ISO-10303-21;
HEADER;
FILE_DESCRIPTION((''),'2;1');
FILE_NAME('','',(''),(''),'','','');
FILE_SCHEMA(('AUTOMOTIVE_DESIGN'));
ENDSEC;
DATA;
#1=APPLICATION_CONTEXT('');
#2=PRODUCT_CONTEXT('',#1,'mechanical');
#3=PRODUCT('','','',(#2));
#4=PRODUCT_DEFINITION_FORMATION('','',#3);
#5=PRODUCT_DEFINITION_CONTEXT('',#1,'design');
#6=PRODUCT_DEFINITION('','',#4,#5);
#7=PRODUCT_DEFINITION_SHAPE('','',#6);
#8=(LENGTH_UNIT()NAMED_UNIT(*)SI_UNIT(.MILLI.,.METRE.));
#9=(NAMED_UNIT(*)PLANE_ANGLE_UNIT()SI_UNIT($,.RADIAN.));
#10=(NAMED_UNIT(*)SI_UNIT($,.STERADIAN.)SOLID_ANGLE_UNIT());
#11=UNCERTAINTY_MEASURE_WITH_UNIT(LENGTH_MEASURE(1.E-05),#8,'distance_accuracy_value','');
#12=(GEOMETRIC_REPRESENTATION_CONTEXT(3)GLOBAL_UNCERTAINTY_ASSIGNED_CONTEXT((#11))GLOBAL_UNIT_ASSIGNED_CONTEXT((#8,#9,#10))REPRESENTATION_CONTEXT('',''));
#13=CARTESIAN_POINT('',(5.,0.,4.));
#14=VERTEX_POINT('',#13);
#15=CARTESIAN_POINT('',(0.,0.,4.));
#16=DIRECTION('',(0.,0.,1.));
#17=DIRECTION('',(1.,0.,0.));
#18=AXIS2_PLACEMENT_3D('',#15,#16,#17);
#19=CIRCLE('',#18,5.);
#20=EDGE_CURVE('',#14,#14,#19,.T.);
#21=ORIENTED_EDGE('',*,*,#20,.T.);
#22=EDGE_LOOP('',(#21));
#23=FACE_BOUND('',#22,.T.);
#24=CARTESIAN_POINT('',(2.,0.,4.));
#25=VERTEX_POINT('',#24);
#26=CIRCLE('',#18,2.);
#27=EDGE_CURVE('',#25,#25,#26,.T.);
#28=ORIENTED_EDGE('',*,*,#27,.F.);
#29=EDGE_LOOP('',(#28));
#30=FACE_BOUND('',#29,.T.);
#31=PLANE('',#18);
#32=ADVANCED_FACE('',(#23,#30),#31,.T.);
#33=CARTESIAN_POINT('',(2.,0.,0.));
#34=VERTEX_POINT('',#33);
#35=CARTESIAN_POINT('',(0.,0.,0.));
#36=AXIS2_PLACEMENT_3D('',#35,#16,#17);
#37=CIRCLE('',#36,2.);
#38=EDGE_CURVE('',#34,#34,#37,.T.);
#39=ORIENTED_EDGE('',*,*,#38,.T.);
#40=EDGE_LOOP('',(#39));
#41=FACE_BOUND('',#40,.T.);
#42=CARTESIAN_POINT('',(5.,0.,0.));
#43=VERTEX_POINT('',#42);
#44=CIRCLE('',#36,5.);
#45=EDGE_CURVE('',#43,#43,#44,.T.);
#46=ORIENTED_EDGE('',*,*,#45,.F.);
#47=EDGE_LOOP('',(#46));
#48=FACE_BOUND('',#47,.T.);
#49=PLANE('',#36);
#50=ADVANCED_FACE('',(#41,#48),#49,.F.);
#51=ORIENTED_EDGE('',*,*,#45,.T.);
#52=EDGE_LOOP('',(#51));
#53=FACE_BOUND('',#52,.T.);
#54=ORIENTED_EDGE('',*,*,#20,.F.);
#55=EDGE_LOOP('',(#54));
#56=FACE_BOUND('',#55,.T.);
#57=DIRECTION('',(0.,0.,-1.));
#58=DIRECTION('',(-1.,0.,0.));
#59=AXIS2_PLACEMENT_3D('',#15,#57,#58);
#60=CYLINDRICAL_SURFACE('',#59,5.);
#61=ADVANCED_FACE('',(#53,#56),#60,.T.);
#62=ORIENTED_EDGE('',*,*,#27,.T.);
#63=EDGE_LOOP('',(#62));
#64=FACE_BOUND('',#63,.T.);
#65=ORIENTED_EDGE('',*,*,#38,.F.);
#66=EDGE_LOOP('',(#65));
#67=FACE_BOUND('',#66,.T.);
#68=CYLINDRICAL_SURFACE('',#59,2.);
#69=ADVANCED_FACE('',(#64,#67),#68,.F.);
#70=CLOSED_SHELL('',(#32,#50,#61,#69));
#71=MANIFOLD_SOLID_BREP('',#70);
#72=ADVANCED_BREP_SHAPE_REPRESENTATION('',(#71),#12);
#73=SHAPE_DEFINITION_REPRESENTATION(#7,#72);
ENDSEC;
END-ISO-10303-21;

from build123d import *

# Parameters (mm, degrees)
SKETCH1_R           = 5
SKETCH1_R_2         = 2
BOSS_EXTRUDE1_DEPTH = 4


with BuildPart() as part:
    # Sketch1 → Boss-Extrude1 (new body)
    with BuildSketch(Plane.XY):
        Circle(SKETCH1_R)
        Circle(SKETCH1_R_2, mode=Mode.SUBTRACT)
    extrude(amount=BOSS_EXTRUDE1_DEPTH)


solid = part.part
